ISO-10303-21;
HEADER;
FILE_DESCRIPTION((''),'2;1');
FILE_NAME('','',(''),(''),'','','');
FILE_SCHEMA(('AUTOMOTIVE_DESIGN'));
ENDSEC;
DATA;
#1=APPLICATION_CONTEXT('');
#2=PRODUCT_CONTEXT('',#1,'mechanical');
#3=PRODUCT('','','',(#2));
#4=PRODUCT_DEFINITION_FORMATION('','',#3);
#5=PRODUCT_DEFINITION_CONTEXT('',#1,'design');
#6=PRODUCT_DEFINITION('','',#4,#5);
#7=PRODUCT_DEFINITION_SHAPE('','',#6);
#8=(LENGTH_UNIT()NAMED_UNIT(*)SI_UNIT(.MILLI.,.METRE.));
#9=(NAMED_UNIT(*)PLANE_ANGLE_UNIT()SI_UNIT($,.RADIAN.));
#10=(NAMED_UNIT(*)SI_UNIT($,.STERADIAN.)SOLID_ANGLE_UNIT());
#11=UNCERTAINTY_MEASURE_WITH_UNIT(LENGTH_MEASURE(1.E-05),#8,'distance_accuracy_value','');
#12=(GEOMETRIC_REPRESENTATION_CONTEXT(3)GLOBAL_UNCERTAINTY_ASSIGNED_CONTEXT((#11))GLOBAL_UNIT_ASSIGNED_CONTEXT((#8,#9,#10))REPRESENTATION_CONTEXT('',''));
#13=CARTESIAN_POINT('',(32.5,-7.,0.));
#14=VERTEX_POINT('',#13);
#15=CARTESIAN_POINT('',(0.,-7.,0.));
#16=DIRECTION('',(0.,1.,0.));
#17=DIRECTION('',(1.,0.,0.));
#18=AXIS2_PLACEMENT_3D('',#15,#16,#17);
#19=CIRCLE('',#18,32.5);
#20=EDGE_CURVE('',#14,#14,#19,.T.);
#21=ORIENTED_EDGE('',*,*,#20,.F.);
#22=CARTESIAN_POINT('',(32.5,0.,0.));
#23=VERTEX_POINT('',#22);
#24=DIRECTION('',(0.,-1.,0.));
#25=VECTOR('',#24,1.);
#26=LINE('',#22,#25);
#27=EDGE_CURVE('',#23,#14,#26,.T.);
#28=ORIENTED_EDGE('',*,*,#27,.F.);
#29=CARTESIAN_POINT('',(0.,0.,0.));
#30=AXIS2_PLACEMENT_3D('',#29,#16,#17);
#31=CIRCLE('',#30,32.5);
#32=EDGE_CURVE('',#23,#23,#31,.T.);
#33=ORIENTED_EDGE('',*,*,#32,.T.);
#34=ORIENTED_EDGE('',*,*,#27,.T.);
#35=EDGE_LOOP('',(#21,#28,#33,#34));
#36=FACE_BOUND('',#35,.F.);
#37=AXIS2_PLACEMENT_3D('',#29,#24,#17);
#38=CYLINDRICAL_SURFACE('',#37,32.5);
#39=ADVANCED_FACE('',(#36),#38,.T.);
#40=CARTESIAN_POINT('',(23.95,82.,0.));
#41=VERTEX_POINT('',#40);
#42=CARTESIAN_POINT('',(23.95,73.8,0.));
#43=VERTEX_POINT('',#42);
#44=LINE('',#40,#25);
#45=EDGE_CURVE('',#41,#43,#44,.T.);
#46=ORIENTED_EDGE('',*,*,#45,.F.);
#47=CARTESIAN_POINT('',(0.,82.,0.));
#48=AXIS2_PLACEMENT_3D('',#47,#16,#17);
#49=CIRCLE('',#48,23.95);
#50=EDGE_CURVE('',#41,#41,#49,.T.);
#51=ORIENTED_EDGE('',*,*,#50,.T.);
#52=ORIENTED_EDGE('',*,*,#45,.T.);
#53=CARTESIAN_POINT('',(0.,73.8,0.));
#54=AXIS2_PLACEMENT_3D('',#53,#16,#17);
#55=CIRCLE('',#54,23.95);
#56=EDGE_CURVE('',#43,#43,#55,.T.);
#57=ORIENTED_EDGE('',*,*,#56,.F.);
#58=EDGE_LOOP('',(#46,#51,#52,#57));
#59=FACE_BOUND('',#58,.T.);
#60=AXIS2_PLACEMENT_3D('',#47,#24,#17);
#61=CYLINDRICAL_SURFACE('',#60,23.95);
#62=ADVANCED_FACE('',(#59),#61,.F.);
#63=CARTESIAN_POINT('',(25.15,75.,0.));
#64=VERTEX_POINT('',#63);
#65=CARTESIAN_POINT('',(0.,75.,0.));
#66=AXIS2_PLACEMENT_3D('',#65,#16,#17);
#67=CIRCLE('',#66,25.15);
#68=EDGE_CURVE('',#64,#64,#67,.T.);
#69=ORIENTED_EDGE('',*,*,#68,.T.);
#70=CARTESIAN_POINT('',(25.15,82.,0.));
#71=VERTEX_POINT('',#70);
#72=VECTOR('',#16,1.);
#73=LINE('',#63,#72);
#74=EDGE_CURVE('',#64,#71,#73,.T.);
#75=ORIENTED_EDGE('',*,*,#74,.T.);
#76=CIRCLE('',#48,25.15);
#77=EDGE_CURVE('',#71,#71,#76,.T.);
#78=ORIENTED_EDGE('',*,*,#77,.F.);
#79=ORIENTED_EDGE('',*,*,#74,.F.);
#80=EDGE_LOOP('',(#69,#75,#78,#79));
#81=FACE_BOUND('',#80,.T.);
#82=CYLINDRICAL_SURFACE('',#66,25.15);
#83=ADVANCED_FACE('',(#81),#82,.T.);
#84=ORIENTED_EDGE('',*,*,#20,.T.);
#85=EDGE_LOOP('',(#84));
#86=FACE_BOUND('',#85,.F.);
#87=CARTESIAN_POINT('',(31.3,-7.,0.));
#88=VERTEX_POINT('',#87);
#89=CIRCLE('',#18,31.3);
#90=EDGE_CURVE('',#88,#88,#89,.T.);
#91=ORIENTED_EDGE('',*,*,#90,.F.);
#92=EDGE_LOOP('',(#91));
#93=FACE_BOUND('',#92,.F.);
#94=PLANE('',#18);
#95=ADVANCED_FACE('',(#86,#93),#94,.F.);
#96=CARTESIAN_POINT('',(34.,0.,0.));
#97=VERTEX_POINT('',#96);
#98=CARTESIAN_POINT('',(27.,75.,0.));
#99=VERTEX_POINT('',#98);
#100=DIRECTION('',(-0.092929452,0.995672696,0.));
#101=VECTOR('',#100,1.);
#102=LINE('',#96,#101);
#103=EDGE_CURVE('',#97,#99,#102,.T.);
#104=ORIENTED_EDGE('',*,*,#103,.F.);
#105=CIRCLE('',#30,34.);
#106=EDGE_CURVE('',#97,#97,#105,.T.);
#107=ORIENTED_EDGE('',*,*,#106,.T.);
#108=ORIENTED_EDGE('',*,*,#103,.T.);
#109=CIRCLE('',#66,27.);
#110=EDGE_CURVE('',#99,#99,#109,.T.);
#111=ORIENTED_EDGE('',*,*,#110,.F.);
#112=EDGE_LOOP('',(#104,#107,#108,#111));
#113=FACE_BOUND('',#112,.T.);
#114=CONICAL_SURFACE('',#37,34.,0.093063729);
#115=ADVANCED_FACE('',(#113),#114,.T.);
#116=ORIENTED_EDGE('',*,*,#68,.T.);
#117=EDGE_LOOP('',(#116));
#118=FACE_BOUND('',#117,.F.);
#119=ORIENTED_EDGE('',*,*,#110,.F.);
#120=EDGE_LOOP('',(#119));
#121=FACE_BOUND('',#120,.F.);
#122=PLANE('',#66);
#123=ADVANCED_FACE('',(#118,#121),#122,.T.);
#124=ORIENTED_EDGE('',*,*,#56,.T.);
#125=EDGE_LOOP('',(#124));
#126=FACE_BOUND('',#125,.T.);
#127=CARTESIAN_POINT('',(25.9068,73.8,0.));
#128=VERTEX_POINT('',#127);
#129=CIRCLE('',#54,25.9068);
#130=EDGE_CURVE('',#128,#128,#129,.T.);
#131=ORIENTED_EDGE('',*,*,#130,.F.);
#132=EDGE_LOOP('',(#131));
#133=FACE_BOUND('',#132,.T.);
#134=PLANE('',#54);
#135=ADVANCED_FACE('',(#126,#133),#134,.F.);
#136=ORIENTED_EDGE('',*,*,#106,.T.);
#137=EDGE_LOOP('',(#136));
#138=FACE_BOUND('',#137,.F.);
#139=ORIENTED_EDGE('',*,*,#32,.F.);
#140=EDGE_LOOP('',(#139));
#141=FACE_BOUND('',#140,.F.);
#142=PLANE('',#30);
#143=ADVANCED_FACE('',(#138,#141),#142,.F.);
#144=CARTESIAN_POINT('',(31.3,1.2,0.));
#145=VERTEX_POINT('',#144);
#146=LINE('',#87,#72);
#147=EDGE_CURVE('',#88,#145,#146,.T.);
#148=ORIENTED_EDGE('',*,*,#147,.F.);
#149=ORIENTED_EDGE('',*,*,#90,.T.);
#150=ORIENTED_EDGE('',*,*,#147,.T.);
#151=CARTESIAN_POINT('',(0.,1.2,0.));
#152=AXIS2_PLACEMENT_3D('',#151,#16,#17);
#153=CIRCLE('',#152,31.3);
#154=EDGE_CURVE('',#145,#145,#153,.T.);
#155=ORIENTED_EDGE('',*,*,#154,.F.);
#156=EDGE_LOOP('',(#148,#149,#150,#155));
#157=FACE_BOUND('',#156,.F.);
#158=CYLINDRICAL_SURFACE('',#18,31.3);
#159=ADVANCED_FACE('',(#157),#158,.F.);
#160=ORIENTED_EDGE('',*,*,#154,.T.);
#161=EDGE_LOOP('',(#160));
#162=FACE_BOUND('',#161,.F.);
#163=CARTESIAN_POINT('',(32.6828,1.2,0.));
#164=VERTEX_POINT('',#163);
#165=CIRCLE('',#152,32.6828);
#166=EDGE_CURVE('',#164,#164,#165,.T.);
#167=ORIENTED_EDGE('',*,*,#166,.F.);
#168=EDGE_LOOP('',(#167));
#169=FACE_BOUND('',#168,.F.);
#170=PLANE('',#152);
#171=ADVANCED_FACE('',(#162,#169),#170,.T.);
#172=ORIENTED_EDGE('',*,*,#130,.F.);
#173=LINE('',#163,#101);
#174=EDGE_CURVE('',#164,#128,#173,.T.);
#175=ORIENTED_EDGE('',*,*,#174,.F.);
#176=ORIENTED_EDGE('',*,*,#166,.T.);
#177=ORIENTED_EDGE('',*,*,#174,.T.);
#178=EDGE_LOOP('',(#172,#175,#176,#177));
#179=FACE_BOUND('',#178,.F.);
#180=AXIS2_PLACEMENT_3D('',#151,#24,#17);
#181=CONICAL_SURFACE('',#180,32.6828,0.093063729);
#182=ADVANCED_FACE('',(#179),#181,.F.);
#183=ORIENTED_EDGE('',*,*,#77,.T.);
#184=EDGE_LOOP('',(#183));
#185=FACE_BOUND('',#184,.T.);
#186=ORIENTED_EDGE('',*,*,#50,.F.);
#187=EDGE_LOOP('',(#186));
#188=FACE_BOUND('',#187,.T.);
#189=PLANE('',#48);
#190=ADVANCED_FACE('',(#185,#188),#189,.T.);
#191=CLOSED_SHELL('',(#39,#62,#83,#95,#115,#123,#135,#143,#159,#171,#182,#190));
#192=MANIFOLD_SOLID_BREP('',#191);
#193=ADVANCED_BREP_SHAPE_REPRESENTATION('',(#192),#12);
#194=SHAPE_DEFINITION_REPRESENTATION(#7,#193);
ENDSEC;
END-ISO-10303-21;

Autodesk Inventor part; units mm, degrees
ref_plane "YZ Plane" through (0, 0, 0) normal (1, 0, 0) x (0, 1, 0)
ref_plane "XZ Plane" through (0, 0, 0) normal (0, 1, 0) x (-1, 0, 0)
ref_plane "XY Plane" through (0, 0, 0) normal (0, 0, 1) x (1, 0, 0)
sketch "Sketch2" plane through (0, 0, 0) normal (0, 0, 1) x (1, 0, 0)
  line L0 (25.15, 75) -> (27, 75)
  line L1 (25.15, 75) -> (25.15, 82)
  line L2 (25.15, 82) -> (23.95, 82)
  line L3 (23.95, 82) -> (23.95, 73.8)
  line L4 (23.95, 73.8) -> (25.964, 73.8)
  line L5 (27, 75) -> (25.15, 75)
  line L6 (34, 0) -> (27, 75)
  line L7 (32.5, 0) -> (32.5, -7)
  line L8 (32.5, -7) -> (31.3, -7)
  line L9 (31.3, -7) -> (31.3, 1.2)
  line L10 (31.3, 1.2) -> (32.6828, 1.2)
  line L11 (32.6828, 1.2) -> (25.9068, 73.8)
  line L12 (34, 0) -> (32.5, 0)
  line L13 (0, -24.8) -> (0, 99.8) projected
  point P0 (0, 0)
  dimension "d20" = 7
  dimension "d21" = 1.2
  dimension "d23" = 1.2
  dimension "d31" = 34
  dimension "d33" = 7
  dimension "d34" = 1.2
  dimension "d36" = 1.2
  dimension "d37" = 75
  dimension "d38" = 27
  dimension "d39" = 25.15
  dimension "d40" = 32.5
revolve "Revolution3" add sketch "Sketch2" angle 360 about axis through (0, -10, 0) along (0, 1, 0)
properties part number "Transición"
